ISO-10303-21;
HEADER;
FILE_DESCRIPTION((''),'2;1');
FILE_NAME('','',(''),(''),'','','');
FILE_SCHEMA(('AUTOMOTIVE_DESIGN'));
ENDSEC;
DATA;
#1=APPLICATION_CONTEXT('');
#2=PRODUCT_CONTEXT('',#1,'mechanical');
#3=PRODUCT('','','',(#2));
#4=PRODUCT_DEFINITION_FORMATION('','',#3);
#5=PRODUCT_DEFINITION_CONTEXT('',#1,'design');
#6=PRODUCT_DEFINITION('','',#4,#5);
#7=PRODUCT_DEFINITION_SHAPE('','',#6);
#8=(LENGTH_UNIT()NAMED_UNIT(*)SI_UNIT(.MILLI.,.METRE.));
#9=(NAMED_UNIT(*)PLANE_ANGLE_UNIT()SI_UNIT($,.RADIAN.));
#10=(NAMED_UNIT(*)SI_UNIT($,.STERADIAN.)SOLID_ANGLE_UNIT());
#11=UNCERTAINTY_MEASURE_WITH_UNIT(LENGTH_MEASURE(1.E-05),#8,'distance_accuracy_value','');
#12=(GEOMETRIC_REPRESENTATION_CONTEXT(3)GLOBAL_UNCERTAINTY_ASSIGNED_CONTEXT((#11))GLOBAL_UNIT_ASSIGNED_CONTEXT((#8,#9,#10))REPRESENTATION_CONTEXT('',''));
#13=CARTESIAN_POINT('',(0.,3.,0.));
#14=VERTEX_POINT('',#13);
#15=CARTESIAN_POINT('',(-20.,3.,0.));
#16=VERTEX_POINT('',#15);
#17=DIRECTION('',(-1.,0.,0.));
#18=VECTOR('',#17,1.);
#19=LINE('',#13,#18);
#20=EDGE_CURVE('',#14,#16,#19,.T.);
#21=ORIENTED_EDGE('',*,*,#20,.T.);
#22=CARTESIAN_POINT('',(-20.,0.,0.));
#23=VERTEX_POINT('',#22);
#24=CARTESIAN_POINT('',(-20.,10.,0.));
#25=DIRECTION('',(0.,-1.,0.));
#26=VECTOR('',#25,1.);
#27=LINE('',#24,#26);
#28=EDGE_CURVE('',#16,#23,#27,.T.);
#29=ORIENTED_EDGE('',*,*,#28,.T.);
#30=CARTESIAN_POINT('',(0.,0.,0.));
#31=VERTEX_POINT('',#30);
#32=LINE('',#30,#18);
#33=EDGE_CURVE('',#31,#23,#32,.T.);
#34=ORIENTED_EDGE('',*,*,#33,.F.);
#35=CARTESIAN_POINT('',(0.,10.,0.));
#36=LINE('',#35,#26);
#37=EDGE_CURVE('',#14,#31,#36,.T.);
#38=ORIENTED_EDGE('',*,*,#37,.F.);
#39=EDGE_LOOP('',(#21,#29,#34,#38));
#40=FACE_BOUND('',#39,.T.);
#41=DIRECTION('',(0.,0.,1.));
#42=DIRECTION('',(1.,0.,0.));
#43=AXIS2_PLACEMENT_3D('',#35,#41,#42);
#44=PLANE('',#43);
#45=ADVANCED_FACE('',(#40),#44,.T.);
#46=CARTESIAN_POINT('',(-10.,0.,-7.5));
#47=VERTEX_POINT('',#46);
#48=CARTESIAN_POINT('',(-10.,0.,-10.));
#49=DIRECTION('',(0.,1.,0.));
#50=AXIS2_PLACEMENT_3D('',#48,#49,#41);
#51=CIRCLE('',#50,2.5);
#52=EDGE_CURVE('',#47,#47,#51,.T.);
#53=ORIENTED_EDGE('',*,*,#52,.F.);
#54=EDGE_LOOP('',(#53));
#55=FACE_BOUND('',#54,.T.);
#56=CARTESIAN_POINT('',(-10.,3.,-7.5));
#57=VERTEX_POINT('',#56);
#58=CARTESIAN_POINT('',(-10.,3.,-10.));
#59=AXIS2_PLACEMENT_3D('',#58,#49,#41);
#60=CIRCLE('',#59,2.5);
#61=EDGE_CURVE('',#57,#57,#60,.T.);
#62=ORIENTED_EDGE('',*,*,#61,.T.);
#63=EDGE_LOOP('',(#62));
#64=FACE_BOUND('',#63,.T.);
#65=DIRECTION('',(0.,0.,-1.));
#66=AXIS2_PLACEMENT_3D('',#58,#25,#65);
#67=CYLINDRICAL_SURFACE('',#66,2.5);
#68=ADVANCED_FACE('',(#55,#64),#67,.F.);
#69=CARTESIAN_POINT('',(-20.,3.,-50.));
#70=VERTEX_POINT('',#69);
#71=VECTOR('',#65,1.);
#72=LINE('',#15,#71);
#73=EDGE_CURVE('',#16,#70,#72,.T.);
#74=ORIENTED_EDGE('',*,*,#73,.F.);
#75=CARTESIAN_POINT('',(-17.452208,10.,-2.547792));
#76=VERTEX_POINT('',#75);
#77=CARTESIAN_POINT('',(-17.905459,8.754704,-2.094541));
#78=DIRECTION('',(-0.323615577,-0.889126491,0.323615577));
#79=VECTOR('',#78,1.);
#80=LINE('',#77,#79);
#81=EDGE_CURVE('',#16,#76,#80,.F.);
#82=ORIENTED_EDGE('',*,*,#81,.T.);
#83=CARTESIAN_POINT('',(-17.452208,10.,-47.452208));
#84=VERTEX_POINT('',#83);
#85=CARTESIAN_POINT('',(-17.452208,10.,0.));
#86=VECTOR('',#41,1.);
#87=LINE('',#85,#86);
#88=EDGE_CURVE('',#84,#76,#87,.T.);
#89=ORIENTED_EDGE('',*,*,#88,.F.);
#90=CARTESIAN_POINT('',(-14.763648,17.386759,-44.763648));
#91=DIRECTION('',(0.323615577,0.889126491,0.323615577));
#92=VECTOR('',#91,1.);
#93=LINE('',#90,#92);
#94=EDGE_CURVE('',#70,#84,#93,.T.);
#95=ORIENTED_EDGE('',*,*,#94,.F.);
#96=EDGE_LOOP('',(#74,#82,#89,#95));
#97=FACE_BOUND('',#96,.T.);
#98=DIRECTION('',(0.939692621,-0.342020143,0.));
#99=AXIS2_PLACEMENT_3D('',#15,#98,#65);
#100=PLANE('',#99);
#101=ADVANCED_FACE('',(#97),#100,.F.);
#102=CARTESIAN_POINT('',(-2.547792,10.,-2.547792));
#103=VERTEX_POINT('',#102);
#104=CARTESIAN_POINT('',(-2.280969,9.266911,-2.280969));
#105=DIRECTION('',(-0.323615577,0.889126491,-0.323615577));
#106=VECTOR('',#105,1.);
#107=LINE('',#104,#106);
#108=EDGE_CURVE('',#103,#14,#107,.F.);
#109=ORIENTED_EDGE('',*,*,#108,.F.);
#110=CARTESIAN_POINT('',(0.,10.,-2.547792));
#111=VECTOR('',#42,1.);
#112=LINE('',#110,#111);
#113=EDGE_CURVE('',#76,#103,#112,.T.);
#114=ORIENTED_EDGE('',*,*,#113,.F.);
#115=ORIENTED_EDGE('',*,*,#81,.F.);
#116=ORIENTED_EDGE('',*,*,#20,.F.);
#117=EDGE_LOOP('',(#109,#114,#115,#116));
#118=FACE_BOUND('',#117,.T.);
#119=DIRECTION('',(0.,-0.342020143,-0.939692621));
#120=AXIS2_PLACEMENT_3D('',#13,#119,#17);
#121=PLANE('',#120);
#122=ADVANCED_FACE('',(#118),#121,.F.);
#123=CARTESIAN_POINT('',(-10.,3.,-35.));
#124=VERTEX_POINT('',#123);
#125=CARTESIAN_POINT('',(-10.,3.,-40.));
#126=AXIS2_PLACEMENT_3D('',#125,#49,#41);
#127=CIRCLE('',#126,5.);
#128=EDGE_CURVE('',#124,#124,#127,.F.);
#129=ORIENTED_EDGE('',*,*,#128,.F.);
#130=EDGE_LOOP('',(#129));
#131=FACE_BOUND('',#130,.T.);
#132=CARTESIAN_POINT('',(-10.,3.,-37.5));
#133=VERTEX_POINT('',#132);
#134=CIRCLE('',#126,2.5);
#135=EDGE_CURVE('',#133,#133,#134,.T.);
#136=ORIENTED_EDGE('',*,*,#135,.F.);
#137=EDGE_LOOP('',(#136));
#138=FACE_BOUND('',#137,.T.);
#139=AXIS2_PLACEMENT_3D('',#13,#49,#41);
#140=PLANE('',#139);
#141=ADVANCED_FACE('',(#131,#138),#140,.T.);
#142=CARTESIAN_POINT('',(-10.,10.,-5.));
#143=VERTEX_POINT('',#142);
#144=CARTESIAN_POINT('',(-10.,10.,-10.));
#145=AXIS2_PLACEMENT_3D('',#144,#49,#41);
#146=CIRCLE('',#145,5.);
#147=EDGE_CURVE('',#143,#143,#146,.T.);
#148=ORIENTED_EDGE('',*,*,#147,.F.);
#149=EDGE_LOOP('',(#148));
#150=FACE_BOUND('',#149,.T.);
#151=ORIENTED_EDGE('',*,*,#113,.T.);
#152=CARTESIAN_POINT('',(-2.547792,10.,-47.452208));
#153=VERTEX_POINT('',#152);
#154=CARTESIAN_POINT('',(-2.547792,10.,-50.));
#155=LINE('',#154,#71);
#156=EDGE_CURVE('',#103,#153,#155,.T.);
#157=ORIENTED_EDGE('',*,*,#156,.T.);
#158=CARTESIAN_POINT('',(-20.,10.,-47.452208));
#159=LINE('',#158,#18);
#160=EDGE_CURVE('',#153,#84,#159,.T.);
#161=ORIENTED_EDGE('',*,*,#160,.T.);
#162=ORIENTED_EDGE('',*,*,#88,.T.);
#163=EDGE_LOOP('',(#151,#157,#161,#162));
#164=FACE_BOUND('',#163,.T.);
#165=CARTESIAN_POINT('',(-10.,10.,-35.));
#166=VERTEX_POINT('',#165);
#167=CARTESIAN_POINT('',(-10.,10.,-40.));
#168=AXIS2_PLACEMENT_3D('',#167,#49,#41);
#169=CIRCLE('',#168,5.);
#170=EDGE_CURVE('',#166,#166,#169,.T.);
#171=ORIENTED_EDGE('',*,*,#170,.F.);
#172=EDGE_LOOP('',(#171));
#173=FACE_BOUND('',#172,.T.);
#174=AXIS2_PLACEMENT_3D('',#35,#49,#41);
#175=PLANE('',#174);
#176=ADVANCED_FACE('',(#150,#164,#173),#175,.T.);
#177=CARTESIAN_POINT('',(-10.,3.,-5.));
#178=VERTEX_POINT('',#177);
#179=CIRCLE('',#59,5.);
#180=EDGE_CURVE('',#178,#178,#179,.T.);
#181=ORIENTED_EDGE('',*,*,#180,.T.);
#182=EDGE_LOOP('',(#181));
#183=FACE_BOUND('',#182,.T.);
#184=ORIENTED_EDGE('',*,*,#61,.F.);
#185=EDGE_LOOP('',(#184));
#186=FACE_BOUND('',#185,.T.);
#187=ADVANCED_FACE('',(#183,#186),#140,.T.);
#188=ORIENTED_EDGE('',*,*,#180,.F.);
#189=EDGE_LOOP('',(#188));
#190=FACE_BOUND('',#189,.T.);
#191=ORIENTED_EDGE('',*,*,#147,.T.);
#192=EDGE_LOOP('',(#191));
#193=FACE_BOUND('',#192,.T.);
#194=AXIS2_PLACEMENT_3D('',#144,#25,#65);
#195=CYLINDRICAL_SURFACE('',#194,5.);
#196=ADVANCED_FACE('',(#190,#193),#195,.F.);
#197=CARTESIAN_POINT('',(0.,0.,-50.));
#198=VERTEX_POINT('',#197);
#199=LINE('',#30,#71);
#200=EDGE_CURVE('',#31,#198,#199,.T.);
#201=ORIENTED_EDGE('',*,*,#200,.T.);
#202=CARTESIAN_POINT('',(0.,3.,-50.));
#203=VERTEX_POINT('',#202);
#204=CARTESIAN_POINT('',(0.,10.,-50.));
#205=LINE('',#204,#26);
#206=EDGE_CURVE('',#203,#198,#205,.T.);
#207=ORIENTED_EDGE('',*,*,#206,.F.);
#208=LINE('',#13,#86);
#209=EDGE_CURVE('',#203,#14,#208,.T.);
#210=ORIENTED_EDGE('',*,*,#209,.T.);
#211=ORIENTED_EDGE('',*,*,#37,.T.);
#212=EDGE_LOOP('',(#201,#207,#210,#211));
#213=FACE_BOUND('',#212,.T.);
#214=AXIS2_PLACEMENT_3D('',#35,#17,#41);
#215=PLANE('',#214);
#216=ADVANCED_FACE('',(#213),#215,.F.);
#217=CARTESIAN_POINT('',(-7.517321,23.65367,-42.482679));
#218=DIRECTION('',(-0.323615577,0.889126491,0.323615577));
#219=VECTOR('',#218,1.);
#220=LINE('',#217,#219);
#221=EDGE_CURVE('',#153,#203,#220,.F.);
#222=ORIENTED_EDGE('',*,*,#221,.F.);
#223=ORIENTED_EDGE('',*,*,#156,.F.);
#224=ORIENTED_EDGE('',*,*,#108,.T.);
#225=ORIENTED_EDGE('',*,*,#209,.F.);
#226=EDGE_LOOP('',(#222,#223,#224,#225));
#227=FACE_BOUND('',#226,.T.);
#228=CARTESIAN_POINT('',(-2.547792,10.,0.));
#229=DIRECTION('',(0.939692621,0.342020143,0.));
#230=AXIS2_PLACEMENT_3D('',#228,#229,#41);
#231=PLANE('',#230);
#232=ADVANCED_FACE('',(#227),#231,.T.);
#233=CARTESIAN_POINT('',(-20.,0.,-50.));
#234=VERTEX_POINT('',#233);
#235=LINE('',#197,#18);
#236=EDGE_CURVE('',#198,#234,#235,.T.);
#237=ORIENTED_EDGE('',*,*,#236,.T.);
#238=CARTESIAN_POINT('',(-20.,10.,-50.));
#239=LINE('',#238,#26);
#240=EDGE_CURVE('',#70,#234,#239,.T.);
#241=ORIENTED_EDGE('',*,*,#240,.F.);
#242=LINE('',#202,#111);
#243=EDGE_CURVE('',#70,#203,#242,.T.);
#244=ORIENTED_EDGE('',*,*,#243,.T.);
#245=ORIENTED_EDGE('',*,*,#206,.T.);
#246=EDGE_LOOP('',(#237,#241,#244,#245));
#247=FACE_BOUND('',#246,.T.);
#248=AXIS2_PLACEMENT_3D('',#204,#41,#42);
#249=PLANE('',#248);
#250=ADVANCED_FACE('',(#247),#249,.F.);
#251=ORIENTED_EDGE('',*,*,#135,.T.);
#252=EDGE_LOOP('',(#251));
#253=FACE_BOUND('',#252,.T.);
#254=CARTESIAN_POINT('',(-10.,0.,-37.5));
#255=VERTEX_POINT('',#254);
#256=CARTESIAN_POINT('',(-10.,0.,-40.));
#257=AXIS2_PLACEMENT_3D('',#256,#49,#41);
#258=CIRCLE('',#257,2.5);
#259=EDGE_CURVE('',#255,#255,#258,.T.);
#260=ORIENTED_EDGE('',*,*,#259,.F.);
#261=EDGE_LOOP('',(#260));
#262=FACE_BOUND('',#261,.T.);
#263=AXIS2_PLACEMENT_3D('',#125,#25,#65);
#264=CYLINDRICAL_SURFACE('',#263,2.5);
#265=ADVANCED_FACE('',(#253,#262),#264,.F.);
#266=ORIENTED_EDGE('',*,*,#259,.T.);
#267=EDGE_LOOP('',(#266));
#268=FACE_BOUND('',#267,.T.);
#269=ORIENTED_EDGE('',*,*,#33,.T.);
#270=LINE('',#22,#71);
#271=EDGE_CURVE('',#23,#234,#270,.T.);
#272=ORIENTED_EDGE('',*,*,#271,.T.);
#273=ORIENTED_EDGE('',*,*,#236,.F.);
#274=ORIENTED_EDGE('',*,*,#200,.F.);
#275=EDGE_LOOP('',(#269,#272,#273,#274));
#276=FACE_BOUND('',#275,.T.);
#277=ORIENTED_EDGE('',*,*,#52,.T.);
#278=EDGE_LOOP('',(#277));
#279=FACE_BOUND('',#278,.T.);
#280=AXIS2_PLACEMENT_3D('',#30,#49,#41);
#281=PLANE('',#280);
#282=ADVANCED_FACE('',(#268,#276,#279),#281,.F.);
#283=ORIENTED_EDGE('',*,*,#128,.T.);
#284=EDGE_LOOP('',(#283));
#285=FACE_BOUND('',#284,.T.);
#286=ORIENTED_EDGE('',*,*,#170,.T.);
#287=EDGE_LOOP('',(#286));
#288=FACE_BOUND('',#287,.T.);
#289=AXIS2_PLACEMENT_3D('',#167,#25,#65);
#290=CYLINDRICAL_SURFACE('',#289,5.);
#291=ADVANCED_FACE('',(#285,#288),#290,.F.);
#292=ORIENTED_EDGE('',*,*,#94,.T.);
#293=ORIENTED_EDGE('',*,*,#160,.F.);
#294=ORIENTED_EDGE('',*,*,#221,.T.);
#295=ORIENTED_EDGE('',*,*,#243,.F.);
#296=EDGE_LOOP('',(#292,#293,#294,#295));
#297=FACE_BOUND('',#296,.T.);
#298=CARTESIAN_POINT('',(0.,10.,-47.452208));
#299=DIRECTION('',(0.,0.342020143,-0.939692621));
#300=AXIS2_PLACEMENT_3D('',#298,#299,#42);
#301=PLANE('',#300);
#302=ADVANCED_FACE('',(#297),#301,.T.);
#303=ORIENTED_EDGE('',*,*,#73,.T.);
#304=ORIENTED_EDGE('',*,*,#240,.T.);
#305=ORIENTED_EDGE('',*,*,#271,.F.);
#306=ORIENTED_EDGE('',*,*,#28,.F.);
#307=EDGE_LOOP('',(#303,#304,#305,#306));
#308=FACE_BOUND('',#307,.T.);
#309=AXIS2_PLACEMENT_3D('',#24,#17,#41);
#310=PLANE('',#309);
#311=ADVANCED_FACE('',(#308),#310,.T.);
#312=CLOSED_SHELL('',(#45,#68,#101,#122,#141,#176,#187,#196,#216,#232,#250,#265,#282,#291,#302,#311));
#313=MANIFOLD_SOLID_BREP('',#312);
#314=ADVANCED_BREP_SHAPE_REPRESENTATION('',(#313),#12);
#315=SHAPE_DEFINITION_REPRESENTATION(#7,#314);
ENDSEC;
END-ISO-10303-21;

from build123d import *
from OCP.BRepFilletAPI import BRepFilletAPI_MakeChamfer

# Parameters (mm, degrees)
SKETCH1_R             = 5
SKETCH1_R_2           = 2.5
BOSS_EXTRUDE1_DEPTH   = 3
BOSS_EXTRUDE1_2_DEPTH = 3
SKETCH1_3_W           = 20
SKETCH1_3_H           = 50
SKETCH1_3_R           = 5
BOSS_EXTRUDE2_DEPTH   = 10
CHAMFER1_SIZE         = 7
CHAMFER1_SIZE2        = 2.54779164


with BuildPart() as part:
    # Sketch1 → Boss-Extrude1 (new body)
    with BuildSketch(Plane(origin=(0, 0, 0), x_dir=(1, 0, 0), z_dir=(0, 1, 0))):
        with Locations((-10, 40)):
            Circle(SKETCH1_R)
        with Locations((-10, 40)):
            Circle(SKETCH1_R_2, mode=Mode.SUBTRACT)
    extrude(amount=BOSS_EXTRUDE1_DEPTH)



with BuildPart() as body_2:
    # Sketch1 → Boss-Extrude1 2 (new body)
    with BuildSketch(Plane(origin=(0, 0, 0), x_dir=(1, 0, 0), z_dir=(0, 1, 0))):
        with Locations((-10, 10)):
            Circle(SKETCH1_R)
        with Locations((-10, 10)):
            Circle(SKETCH1_R_2, mode=Mode.SUBTRACT)
    extrude(amount=BOSS_EXTRUDE1_2_DEPTH)


with BuildPart() as part_1:
    add(part.part)

    add(body_2.part)  # Boss-Extrude2 merges body 2
    # Sketch1<3> → Boss-Extrude2 (add)
    with BuildSketch(Plane(origin=(0, 0, 0), x_dir=(1, 0, 0), z_dir=(0, 1, 0))):
        with Locations((-10, 25)):
            Rectangle(SKETCH1_3_W, SKETCH1_3_H)
        with Locations((-10, 10)):
            Circle(SKETCH1_3_R, mode=Mode.SUBTRACT)
        with Locations((-10, 40)):
            Circle(SKETCH1_3_R, mode=Mode.SUBTRACT)
    extrude(amount=BOSS_EXTRUDE2_DEPTH)

    # Chamfer1: one chamfer whose edges measure the first distance from different faces: ONE call of the kernel's chamfer builder (chamfer() names one face for all edges)
    chamfer1_edges_1 = [part_1.edges().sort_by_distance(p)[0] for p in [
        (-10, 10, -50),
    ]]
    chamfer1_side_1 = [part_1.faces().sort_by_distance(p)[0] for p in [
        (-10, 5, -50),
    ]]
    chamfer1_edges_2 = [part_1.edges().sort_by_distance(p)[0] for p in [
        (-20, 10, -25),
    ]]
    chamfer1_side_2 = [part_1.faces().sort_by_distance(p)[0] for p in [
        (-20, 5, -25),
    ]]
    chamfer1_edges_3 = [part_1.edges().sort_by_distance(p)[0] for p in [
        (-10, 10, 0),
    ]]
    chamfer1_side_3 = [part_1.faces().sort_by_distance(p)[0] for p in [
        (-10, 5, 0),
    ]]
    chamfer1_edges_4 = [part_1.edges().sort_by_distance(p)[0] for p in [
        (0, 10, -25),
    ]]
    chamfer1_side_4 = [part_1.faces().sort_by_distance(p)[0] for p in [
        (0, 5, -25),
    ]]
    chamfer1 = BRepFilletAPI_MakeChamfer(part_1.part.solid().wrapped)
    for e in chamfer1_edges_1:
        chamfer1.Add(CHAMFER1_SIZE, CHAMFER1_SIZE2, e.wrapped, chamfer1_side_1[0].wrapped)  # the first distance lies on this face
    for e in chamfer1_edges_2:
        chamfer1.Add(CHAMFER1_SIZE, CHAMFER1_SIZE2, e.wrapped, chamfer1_side_2[0].wrapped)  # the first distance lies on this face
    for e in chamfer1_edges_3:
        chamfer1.Add(CHAMFER1_SIZE, CHAMFER1_SIZE2, e.wrapped, chamfer1_side_3[0].wrapped)  # the first distance lies on this face
    for e in chamfer1_edges_4:
        chamfer1.Add(CHAMFER1_SIZE, CHAMFER1_SIZE2, e.wrapped, chamfer1_side_4[0].wrapped)  # the first distance lies on this face
    add(Compound.cast(chamfer1.Shape()), mode=Mode.REPLACE)


solid = part_1.part
